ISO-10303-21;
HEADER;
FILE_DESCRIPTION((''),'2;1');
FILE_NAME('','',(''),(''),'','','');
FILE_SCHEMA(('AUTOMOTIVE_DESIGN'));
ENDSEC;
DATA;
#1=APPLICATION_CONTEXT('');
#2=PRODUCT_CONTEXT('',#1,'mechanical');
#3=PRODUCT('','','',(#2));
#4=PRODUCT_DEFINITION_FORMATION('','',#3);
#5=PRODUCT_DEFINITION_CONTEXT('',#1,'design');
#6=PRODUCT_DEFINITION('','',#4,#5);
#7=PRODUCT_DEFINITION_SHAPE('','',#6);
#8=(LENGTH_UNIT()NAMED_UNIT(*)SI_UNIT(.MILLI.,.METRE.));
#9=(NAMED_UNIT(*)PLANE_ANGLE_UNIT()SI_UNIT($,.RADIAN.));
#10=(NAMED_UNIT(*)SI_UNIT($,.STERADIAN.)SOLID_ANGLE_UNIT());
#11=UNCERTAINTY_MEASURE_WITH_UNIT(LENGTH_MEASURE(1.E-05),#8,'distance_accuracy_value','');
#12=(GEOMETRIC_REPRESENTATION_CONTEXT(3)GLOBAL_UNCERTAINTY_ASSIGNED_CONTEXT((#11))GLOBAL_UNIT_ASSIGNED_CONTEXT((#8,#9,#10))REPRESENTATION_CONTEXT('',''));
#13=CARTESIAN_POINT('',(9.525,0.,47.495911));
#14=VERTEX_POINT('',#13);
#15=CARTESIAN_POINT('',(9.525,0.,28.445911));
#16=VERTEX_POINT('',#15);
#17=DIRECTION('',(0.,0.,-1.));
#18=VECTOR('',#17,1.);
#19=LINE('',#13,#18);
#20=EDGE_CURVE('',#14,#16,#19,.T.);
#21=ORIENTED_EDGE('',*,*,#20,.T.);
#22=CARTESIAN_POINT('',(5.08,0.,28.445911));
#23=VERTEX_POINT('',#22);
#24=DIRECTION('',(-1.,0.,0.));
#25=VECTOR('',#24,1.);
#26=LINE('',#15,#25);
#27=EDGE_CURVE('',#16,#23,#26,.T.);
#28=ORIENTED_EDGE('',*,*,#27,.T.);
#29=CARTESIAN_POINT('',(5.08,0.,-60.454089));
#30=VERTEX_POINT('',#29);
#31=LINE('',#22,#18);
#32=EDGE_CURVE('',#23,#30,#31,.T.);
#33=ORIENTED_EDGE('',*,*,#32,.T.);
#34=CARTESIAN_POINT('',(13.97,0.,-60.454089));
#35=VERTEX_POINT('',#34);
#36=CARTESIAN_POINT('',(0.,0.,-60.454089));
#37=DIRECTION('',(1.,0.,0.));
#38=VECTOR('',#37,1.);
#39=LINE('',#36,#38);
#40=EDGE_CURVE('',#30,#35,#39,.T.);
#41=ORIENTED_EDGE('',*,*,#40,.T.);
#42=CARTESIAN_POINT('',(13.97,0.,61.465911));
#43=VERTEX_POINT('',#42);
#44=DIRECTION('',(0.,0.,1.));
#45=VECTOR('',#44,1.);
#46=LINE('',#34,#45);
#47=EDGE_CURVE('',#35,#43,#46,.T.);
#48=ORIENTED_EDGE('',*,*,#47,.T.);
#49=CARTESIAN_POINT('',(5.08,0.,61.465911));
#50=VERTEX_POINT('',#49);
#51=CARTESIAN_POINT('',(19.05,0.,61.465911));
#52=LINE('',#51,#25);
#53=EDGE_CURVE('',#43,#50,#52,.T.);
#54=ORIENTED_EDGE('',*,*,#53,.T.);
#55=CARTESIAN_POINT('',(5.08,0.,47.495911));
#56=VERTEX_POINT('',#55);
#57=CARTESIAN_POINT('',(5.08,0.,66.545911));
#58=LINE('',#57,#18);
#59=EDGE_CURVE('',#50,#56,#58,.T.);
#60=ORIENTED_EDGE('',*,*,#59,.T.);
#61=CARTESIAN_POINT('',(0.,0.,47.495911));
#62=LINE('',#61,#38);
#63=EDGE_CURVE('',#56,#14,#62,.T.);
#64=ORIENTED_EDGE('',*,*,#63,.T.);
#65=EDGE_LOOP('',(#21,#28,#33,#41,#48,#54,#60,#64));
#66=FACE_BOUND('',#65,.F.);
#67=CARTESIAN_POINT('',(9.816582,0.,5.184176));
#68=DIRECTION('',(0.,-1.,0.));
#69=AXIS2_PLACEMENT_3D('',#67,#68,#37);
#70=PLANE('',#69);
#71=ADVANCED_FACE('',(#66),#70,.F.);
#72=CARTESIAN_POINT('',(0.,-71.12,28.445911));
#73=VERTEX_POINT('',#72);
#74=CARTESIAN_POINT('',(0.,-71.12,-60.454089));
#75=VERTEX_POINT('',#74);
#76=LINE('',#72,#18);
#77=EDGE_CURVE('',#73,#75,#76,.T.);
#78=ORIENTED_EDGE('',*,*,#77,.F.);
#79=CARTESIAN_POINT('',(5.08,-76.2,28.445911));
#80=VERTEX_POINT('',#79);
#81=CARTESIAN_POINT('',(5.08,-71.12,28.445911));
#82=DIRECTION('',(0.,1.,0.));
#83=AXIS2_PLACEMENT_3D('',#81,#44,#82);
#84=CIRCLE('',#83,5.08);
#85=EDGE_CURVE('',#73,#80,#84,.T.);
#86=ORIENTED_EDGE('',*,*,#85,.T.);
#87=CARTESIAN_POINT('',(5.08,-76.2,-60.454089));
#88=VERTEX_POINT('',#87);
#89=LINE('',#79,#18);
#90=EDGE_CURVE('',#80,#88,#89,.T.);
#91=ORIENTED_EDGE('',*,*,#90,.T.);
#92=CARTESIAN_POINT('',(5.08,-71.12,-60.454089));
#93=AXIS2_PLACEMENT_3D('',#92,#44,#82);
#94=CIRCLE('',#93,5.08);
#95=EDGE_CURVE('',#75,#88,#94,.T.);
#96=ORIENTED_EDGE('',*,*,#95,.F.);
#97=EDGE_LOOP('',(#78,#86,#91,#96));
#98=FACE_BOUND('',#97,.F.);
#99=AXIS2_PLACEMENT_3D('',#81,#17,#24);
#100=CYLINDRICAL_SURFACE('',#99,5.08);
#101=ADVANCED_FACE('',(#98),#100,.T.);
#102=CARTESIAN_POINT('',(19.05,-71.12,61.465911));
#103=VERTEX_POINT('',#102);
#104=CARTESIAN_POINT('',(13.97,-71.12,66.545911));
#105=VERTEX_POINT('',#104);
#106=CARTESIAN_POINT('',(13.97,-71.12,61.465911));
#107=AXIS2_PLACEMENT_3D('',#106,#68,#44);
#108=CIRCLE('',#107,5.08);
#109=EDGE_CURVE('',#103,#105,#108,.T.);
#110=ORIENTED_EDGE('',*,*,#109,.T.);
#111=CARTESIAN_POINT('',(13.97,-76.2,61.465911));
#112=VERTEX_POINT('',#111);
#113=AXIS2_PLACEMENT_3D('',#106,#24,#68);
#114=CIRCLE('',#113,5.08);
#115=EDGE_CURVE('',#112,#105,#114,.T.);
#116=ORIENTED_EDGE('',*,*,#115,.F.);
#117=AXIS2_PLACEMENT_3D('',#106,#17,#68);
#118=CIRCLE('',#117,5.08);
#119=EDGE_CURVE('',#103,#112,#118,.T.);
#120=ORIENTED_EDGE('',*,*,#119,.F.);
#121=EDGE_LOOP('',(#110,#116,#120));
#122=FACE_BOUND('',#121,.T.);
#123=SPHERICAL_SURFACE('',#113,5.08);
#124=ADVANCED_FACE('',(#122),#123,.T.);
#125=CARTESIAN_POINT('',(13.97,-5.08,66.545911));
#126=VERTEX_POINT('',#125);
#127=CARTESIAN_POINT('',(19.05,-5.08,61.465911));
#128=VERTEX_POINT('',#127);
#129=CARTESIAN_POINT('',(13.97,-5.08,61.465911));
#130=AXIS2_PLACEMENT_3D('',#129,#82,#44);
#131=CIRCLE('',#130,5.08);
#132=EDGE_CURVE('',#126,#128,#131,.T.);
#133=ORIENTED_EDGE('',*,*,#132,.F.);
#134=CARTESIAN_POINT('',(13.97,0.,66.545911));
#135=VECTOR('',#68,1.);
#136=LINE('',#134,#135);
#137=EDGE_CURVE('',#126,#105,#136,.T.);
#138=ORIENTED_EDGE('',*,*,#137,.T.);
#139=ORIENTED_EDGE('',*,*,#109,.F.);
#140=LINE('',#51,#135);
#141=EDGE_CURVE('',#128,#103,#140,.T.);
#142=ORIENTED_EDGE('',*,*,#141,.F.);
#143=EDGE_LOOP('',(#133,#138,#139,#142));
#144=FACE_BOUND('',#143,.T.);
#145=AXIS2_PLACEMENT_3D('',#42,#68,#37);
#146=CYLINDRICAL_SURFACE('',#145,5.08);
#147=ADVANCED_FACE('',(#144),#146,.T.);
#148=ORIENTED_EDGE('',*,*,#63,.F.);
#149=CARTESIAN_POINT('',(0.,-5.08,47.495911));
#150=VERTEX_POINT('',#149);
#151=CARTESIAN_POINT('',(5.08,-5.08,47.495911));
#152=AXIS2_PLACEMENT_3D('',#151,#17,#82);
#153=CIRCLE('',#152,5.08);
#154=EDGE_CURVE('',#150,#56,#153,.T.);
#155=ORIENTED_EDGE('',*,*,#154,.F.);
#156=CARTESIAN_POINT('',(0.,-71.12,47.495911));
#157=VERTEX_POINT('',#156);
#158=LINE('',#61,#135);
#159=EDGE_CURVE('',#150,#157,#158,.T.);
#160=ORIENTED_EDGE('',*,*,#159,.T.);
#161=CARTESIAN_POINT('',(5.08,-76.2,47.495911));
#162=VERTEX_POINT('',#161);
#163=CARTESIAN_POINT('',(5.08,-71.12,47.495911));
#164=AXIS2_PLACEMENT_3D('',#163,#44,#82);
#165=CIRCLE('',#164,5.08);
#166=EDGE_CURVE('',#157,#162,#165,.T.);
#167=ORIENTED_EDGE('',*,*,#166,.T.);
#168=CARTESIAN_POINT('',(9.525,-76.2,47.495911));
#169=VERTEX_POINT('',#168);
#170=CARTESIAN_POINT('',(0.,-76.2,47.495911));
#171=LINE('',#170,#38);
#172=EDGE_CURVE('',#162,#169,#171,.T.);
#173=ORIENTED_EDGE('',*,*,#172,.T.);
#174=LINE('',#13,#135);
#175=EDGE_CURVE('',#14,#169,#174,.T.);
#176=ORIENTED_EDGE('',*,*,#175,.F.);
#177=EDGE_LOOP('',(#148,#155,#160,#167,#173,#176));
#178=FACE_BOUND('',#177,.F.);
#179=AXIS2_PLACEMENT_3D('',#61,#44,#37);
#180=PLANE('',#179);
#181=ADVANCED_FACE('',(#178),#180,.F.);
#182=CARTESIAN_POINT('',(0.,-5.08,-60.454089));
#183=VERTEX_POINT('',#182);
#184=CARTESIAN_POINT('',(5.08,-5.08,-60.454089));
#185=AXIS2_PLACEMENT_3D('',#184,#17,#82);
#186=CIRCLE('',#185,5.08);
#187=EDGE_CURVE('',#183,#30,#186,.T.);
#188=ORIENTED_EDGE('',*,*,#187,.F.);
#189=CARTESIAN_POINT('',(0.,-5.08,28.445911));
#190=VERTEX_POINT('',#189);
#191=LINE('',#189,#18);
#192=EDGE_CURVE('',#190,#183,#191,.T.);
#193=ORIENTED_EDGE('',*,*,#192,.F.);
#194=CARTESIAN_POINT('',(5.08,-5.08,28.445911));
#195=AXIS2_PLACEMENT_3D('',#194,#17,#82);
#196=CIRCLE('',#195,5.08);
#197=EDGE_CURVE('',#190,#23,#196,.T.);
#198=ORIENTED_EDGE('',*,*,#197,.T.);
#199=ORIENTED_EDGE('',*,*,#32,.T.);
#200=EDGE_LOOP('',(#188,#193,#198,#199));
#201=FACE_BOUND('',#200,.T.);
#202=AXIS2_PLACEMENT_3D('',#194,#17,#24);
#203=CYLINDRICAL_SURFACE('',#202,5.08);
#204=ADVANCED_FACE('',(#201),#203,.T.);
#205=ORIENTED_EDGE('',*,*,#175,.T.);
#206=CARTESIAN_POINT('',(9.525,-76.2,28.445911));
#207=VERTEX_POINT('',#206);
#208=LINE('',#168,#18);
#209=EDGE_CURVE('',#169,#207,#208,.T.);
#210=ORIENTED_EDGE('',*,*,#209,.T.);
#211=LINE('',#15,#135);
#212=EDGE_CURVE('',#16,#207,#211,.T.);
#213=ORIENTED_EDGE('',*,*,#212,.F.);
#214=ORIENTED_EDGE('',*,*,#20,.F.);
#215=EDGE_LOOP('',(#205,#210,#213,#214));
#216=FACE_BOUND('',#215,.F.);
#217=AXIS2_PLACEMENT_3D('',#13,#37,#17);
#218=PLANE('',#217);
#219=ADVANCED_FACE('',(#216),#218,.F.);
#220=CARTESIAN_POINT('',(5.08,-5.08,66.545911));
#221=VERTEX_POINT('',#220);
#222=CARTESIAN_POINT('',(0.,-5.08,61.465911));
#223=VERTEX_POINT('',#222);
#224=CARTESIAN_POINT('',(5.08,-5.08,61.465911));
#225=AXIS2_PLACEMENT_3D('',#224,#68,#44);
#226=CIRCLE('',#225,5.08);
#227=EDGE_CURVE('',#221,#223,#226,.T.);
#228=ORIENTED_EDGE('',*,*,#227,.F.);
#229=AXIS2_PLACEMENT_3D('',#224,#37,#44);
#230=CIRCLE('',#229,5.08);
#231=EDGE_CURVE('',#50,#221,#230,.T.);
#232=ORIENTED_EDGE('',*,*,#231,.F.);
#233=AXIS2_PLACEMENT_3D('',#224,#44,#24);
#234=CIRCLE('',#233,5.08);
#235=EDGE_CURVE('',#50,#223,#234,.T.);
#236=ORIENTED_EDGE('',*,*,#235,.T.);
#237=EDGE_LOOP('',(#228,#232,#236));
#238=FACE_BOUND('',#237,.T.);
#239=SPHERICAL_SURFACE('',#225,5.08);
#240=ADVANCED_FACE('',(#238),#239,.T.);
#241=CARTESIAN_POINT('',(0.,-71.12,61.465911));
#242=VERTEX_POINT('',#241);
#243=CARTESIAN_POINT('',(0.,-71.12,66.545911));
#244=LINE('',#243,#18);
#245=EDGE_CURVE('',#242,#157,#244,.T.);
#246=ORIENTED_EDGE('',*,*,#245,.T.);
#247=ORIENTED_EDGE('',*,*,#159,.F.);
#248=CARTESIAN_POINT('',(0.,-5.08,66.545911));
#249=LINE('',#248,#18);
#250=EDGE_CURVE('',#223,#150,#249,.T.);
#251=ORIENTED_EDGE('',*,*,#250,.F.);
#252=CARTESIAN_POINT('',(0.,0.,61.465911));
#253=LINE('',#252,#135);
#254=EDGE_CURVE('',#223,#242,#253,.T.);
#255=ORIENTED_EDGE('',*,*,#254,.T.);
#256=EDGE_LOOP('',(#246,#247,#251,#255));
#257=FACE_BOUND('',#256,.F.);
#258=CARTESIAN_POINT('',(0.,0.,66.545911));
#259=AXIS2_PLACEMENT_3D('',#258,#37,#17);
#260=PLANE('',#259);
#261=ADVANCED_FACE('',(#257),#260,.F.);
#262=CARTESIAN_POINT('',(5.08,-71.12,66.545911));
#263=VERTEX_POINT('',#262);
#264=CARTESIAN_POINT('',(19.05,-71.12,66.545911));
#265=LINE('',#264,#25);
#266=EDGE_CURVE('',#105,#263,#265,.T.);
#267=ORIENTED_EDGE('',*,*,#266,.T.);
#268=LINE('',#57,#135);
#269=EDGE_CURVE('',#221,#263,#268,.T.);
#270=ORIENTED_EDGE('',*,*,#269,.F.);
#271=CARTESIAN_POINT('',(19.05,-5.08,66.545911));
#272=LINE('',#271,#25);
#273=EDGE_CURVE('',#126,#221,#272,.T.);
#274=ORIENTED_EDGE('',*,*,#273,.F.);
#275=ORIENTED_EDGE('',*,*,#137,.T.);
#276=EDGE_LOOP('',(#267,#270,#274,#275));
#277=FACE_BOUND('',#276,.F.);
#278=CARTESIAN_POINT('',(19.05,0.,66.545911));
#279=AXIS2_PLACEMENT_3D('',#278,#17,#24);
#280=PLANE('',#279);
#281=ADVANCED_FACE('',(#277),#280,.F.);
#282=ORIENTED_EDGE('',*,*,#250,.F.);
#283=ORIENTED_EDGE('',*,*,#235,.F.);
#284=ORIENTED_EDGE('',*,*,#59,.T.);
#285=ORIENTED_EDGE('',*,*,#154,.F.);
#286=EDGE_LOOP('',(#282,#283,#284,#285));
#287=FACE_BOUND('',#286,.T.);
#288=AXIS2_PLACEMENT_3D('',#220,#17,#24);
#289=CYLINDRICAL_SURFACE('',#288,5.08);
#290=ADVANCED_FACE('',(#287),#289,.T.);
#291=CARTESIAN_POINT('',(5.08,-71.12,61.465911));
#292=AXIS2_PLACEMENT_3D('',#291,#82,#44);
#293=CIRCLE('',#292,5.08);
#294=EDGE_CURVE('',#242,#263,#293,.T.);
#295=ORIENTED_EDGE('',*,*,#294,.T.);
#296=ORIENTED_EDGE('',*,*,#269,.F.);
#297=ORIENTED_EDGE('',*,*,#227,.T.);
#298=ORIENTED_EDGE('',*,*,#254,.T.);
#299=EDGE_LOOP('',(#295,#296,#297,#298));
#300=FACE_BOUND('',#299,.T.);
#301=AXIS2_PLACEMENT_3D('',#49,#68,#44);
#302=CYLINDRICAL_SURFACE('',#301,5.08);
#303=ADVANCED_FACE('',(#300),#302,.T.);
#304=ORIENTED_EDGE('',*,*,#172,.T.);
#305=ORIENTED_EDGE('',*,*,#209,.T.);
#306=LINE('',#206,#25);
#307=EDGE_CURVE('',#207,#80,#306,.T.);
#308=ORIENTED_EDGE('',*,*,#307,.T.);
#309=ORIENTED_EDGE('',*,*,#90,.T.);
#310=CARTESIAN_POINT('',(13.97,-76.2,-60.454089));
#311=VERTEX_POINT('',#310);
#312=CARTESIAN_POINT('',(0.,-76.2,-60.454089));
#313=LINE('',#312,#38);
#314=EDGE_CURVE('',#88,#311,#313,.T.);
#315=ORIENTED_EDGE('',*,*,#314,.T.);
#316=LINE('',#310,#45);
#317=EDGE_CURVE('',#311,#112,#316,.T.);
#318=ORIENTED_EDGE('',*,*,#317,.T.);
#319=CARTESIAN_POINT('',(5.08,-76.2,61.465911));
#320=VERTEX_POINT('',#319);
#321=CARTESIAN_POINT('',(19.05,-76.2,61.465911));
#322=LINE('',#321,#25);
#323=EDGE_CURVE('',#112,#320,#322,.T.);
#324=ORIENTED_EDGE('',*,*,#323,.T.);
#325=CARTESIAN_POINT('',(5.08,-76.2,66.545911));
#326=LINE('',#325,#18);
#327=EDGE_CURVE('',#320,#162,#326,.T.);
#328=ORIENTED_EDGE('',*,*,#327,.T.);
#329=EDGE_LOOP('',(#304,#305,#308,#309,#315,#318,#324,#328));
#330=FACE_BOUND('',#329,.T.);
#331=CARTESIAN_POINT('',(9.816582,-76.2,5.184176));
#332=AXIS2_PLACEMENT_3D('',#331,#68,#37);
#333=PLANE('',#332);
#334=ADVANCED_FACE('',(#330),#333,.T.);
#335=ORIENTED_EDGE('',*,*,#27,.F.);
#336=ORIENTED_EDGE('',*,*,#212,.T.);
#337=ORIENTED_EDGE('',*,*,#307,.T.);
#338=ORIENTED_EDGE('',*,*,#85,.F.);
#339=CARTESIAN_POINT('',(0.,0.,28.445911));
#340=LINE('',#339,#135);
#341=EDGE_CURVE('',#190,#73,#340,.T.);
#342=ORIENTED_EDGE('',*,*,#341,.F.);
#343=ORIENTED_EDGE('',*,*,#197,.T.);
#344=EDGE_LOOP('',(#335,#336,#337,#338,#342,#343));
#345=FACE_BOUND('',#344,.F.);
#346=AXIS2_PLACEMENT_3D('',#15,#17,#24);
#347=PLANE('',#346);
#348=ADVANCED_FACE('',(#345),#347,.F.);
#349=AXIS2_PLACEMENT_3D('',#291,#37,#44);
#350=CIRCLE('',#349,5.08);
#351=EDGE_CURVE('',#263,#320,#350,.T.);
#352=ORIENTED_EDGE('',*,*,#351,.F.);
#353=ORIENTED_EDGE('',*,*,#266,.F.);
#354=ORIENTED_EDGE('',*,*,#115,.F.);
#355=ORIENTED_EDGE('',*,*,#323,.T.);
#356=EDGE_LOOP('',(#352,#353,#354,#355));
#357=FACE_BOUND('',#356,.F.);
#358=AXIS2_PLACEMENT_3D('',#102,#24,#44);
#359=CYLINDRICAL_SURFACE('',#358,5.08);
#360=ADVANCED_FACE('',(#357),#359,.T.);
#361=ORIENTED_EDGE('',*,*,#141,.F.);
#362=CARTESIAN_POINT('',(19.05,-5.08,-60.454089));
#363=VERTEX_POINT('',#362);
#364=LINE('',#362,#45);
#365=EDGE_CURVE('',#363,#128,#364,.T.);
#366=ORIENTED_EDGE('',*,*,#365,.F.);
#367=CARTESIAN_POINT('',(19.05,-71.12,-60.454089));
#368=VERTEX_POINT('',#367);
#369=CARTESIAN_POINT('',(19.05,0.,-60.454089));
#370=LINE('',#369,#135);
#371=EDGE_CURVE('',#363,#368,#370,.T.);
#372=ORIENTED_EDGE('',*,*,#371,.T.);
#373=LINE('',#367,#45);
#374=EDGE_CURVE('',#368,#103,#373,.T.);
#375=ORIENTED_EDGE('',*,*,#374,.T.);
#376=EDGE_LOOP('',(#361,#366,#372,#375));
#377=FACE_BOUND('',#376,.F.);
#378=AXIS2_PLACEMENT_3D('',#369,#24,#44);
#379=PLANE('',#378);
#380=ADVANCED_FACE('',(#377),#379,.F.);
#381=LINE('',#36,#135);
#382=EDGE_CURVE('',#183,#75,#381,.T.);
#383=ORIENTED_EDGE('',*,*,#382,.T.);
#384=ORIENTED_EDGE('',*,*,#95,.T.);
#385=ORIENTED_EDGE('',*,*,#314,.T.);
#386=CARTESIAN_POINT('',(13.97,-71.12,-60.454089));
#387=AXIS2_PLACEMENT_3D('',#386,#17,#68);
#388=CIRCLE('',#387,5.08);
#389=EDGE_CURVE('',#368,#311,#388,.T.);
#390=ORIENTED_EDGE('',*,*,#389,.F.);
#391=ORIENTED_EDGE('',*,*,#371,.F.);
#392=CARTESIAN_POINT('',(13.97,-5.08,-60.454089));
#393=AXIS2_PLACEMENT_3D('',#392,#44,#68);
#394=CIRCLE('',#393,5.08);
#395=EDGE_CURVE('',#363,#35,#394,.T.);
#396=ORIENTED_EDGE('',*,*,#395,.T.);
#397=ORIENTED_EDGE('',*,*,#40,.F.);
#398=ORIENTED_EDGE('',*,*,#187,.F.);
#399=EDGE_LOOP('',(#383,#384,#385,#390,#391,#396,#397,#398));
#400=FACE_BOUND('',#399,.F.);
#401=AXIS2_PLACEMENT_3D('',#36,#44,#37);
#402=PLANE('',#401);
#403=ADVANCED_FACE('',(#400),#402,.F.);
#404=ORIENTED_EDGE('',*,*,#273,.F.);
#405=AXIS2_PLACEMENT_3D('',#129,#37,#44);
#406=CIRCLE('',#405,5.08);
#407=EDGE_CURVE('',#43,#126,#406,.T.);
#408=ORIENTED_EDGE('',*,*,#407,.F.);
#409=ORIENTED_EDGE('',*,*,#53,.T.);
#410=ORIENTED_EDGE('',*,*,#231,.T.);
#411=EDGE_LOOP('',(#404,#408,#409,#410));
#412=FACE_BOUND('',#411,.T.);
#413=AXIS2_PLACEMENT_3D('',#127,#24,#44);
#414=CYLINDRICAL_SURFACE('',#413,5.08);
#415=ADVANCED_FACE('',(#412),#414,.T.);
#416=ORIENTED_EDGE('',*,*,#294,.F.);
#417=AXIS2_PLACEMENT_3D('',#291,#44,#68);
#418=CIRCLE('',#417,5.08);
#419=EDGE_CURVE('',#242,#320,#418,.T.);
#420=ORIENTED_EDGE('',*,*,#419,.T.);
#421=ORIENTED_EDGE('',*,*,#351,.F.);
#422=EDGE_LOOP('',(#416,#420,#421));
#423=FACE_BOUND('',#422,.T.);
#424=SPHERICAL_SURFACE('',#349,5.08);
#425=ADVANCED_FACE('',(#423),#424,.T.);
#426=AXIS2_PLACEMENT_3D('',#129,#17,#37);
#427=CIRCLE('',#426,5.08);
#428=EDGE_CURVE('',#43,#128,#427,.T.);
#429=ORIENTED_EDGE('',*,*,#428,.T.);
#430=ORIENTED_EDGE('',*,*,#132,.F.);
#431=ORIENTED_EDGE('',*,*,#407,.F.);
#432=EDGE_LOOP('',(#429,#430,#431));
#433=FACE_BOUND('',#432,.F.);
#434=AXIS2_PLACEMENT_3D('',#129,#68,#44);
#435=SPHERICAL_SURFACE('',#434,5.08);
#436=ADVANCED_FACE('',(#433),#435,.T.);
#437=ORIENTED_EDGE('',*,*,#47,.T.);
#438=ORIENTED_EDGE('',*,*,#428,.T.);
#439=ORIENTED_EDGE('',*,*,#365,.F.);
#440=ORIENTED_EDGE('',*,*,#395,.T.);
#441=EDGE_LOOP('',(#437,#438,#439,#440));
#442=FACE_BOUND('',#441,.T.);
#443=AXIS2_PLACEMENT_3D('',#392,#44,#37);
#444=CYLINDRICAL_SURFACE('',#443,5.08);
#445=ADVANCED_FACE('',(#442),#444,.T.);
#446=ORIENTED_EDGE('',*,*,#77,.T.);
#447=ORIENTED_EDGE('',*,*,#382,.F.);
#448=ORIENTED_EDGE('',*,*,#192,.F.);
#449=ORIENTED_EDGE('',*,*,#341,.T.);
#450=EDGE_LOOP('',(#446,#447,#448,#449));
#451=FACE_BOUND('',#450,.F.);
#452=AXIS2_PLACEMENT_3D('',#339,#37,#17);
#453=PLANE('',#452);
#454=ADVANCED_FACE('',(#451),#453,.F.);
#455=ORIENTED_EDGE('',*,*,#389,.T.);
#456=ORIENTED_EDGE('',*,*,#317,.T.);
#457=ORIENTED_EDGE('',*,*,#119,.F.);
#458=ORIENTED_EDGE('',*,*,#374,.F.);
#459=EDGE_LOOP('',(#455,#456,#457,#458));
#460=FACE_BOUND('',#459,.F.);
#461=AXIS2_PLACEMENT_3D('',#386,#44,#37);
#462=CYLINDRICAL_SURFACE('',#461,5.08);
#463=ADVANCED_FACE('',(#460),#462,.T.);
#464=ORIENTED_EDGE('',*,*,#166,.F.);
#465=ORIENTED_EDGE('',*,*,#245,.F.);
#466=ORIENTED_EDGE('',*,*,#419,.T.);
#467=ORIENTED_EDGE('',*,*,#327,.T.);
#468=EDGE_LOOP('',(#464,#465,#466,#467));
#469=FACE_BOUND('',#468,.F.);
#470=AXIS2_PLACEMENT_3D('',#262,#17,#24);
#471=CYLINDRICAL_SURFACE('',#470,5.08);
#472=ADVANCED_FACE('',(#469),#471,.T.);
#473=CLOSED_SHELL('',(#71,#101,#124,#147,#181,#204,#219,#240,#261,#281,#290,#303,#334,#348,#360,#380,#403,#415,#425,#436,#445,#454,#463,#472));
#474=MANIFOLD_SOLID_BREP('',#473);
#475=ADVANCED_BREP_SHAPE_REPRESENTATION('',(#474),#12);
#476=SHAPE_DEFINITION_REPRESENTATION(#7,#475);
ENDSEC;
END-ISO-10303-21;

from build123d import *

# Parameters (mm, degrees)
F1_DEPTH = 76.2
F2_R     = 5.08


with BuildPart() as f1:
    # F0 (on Front) → F1 (new body)
    with BuildSketch(Plane.XZ):
        Polygon((0, 28.445911), (0, -60.454089), (19.05, -60.454089), (19.05, 66.545911), (0, 66.545911), (0, 47.495911), (9.525, 47.495911), (9.525, 28.445911), align=None)
    extrude(amount=F1_DEPTH)

    # F2
    f2_edges = [f1.edges().sort_by_distance(p)[0] for p in [
        (0, -76.2, -16.004089),
        (0, 0, -16.004089),
        (9.525, -76.2, 66.545911),
        (0, -38.1, 66.545911),
        (19.05, -76.2, 3.045911),
        (19.05, -38.1, 66.545911),
        (9.525, 0, 66.545911),
        (19.05, 0, 3.045911),
        (0, 0, 57.020911),
        (0, -76.2, 57.020911),
    ]]
    fillet(f2_edges, radius=F2_R)


solid = f1.part
